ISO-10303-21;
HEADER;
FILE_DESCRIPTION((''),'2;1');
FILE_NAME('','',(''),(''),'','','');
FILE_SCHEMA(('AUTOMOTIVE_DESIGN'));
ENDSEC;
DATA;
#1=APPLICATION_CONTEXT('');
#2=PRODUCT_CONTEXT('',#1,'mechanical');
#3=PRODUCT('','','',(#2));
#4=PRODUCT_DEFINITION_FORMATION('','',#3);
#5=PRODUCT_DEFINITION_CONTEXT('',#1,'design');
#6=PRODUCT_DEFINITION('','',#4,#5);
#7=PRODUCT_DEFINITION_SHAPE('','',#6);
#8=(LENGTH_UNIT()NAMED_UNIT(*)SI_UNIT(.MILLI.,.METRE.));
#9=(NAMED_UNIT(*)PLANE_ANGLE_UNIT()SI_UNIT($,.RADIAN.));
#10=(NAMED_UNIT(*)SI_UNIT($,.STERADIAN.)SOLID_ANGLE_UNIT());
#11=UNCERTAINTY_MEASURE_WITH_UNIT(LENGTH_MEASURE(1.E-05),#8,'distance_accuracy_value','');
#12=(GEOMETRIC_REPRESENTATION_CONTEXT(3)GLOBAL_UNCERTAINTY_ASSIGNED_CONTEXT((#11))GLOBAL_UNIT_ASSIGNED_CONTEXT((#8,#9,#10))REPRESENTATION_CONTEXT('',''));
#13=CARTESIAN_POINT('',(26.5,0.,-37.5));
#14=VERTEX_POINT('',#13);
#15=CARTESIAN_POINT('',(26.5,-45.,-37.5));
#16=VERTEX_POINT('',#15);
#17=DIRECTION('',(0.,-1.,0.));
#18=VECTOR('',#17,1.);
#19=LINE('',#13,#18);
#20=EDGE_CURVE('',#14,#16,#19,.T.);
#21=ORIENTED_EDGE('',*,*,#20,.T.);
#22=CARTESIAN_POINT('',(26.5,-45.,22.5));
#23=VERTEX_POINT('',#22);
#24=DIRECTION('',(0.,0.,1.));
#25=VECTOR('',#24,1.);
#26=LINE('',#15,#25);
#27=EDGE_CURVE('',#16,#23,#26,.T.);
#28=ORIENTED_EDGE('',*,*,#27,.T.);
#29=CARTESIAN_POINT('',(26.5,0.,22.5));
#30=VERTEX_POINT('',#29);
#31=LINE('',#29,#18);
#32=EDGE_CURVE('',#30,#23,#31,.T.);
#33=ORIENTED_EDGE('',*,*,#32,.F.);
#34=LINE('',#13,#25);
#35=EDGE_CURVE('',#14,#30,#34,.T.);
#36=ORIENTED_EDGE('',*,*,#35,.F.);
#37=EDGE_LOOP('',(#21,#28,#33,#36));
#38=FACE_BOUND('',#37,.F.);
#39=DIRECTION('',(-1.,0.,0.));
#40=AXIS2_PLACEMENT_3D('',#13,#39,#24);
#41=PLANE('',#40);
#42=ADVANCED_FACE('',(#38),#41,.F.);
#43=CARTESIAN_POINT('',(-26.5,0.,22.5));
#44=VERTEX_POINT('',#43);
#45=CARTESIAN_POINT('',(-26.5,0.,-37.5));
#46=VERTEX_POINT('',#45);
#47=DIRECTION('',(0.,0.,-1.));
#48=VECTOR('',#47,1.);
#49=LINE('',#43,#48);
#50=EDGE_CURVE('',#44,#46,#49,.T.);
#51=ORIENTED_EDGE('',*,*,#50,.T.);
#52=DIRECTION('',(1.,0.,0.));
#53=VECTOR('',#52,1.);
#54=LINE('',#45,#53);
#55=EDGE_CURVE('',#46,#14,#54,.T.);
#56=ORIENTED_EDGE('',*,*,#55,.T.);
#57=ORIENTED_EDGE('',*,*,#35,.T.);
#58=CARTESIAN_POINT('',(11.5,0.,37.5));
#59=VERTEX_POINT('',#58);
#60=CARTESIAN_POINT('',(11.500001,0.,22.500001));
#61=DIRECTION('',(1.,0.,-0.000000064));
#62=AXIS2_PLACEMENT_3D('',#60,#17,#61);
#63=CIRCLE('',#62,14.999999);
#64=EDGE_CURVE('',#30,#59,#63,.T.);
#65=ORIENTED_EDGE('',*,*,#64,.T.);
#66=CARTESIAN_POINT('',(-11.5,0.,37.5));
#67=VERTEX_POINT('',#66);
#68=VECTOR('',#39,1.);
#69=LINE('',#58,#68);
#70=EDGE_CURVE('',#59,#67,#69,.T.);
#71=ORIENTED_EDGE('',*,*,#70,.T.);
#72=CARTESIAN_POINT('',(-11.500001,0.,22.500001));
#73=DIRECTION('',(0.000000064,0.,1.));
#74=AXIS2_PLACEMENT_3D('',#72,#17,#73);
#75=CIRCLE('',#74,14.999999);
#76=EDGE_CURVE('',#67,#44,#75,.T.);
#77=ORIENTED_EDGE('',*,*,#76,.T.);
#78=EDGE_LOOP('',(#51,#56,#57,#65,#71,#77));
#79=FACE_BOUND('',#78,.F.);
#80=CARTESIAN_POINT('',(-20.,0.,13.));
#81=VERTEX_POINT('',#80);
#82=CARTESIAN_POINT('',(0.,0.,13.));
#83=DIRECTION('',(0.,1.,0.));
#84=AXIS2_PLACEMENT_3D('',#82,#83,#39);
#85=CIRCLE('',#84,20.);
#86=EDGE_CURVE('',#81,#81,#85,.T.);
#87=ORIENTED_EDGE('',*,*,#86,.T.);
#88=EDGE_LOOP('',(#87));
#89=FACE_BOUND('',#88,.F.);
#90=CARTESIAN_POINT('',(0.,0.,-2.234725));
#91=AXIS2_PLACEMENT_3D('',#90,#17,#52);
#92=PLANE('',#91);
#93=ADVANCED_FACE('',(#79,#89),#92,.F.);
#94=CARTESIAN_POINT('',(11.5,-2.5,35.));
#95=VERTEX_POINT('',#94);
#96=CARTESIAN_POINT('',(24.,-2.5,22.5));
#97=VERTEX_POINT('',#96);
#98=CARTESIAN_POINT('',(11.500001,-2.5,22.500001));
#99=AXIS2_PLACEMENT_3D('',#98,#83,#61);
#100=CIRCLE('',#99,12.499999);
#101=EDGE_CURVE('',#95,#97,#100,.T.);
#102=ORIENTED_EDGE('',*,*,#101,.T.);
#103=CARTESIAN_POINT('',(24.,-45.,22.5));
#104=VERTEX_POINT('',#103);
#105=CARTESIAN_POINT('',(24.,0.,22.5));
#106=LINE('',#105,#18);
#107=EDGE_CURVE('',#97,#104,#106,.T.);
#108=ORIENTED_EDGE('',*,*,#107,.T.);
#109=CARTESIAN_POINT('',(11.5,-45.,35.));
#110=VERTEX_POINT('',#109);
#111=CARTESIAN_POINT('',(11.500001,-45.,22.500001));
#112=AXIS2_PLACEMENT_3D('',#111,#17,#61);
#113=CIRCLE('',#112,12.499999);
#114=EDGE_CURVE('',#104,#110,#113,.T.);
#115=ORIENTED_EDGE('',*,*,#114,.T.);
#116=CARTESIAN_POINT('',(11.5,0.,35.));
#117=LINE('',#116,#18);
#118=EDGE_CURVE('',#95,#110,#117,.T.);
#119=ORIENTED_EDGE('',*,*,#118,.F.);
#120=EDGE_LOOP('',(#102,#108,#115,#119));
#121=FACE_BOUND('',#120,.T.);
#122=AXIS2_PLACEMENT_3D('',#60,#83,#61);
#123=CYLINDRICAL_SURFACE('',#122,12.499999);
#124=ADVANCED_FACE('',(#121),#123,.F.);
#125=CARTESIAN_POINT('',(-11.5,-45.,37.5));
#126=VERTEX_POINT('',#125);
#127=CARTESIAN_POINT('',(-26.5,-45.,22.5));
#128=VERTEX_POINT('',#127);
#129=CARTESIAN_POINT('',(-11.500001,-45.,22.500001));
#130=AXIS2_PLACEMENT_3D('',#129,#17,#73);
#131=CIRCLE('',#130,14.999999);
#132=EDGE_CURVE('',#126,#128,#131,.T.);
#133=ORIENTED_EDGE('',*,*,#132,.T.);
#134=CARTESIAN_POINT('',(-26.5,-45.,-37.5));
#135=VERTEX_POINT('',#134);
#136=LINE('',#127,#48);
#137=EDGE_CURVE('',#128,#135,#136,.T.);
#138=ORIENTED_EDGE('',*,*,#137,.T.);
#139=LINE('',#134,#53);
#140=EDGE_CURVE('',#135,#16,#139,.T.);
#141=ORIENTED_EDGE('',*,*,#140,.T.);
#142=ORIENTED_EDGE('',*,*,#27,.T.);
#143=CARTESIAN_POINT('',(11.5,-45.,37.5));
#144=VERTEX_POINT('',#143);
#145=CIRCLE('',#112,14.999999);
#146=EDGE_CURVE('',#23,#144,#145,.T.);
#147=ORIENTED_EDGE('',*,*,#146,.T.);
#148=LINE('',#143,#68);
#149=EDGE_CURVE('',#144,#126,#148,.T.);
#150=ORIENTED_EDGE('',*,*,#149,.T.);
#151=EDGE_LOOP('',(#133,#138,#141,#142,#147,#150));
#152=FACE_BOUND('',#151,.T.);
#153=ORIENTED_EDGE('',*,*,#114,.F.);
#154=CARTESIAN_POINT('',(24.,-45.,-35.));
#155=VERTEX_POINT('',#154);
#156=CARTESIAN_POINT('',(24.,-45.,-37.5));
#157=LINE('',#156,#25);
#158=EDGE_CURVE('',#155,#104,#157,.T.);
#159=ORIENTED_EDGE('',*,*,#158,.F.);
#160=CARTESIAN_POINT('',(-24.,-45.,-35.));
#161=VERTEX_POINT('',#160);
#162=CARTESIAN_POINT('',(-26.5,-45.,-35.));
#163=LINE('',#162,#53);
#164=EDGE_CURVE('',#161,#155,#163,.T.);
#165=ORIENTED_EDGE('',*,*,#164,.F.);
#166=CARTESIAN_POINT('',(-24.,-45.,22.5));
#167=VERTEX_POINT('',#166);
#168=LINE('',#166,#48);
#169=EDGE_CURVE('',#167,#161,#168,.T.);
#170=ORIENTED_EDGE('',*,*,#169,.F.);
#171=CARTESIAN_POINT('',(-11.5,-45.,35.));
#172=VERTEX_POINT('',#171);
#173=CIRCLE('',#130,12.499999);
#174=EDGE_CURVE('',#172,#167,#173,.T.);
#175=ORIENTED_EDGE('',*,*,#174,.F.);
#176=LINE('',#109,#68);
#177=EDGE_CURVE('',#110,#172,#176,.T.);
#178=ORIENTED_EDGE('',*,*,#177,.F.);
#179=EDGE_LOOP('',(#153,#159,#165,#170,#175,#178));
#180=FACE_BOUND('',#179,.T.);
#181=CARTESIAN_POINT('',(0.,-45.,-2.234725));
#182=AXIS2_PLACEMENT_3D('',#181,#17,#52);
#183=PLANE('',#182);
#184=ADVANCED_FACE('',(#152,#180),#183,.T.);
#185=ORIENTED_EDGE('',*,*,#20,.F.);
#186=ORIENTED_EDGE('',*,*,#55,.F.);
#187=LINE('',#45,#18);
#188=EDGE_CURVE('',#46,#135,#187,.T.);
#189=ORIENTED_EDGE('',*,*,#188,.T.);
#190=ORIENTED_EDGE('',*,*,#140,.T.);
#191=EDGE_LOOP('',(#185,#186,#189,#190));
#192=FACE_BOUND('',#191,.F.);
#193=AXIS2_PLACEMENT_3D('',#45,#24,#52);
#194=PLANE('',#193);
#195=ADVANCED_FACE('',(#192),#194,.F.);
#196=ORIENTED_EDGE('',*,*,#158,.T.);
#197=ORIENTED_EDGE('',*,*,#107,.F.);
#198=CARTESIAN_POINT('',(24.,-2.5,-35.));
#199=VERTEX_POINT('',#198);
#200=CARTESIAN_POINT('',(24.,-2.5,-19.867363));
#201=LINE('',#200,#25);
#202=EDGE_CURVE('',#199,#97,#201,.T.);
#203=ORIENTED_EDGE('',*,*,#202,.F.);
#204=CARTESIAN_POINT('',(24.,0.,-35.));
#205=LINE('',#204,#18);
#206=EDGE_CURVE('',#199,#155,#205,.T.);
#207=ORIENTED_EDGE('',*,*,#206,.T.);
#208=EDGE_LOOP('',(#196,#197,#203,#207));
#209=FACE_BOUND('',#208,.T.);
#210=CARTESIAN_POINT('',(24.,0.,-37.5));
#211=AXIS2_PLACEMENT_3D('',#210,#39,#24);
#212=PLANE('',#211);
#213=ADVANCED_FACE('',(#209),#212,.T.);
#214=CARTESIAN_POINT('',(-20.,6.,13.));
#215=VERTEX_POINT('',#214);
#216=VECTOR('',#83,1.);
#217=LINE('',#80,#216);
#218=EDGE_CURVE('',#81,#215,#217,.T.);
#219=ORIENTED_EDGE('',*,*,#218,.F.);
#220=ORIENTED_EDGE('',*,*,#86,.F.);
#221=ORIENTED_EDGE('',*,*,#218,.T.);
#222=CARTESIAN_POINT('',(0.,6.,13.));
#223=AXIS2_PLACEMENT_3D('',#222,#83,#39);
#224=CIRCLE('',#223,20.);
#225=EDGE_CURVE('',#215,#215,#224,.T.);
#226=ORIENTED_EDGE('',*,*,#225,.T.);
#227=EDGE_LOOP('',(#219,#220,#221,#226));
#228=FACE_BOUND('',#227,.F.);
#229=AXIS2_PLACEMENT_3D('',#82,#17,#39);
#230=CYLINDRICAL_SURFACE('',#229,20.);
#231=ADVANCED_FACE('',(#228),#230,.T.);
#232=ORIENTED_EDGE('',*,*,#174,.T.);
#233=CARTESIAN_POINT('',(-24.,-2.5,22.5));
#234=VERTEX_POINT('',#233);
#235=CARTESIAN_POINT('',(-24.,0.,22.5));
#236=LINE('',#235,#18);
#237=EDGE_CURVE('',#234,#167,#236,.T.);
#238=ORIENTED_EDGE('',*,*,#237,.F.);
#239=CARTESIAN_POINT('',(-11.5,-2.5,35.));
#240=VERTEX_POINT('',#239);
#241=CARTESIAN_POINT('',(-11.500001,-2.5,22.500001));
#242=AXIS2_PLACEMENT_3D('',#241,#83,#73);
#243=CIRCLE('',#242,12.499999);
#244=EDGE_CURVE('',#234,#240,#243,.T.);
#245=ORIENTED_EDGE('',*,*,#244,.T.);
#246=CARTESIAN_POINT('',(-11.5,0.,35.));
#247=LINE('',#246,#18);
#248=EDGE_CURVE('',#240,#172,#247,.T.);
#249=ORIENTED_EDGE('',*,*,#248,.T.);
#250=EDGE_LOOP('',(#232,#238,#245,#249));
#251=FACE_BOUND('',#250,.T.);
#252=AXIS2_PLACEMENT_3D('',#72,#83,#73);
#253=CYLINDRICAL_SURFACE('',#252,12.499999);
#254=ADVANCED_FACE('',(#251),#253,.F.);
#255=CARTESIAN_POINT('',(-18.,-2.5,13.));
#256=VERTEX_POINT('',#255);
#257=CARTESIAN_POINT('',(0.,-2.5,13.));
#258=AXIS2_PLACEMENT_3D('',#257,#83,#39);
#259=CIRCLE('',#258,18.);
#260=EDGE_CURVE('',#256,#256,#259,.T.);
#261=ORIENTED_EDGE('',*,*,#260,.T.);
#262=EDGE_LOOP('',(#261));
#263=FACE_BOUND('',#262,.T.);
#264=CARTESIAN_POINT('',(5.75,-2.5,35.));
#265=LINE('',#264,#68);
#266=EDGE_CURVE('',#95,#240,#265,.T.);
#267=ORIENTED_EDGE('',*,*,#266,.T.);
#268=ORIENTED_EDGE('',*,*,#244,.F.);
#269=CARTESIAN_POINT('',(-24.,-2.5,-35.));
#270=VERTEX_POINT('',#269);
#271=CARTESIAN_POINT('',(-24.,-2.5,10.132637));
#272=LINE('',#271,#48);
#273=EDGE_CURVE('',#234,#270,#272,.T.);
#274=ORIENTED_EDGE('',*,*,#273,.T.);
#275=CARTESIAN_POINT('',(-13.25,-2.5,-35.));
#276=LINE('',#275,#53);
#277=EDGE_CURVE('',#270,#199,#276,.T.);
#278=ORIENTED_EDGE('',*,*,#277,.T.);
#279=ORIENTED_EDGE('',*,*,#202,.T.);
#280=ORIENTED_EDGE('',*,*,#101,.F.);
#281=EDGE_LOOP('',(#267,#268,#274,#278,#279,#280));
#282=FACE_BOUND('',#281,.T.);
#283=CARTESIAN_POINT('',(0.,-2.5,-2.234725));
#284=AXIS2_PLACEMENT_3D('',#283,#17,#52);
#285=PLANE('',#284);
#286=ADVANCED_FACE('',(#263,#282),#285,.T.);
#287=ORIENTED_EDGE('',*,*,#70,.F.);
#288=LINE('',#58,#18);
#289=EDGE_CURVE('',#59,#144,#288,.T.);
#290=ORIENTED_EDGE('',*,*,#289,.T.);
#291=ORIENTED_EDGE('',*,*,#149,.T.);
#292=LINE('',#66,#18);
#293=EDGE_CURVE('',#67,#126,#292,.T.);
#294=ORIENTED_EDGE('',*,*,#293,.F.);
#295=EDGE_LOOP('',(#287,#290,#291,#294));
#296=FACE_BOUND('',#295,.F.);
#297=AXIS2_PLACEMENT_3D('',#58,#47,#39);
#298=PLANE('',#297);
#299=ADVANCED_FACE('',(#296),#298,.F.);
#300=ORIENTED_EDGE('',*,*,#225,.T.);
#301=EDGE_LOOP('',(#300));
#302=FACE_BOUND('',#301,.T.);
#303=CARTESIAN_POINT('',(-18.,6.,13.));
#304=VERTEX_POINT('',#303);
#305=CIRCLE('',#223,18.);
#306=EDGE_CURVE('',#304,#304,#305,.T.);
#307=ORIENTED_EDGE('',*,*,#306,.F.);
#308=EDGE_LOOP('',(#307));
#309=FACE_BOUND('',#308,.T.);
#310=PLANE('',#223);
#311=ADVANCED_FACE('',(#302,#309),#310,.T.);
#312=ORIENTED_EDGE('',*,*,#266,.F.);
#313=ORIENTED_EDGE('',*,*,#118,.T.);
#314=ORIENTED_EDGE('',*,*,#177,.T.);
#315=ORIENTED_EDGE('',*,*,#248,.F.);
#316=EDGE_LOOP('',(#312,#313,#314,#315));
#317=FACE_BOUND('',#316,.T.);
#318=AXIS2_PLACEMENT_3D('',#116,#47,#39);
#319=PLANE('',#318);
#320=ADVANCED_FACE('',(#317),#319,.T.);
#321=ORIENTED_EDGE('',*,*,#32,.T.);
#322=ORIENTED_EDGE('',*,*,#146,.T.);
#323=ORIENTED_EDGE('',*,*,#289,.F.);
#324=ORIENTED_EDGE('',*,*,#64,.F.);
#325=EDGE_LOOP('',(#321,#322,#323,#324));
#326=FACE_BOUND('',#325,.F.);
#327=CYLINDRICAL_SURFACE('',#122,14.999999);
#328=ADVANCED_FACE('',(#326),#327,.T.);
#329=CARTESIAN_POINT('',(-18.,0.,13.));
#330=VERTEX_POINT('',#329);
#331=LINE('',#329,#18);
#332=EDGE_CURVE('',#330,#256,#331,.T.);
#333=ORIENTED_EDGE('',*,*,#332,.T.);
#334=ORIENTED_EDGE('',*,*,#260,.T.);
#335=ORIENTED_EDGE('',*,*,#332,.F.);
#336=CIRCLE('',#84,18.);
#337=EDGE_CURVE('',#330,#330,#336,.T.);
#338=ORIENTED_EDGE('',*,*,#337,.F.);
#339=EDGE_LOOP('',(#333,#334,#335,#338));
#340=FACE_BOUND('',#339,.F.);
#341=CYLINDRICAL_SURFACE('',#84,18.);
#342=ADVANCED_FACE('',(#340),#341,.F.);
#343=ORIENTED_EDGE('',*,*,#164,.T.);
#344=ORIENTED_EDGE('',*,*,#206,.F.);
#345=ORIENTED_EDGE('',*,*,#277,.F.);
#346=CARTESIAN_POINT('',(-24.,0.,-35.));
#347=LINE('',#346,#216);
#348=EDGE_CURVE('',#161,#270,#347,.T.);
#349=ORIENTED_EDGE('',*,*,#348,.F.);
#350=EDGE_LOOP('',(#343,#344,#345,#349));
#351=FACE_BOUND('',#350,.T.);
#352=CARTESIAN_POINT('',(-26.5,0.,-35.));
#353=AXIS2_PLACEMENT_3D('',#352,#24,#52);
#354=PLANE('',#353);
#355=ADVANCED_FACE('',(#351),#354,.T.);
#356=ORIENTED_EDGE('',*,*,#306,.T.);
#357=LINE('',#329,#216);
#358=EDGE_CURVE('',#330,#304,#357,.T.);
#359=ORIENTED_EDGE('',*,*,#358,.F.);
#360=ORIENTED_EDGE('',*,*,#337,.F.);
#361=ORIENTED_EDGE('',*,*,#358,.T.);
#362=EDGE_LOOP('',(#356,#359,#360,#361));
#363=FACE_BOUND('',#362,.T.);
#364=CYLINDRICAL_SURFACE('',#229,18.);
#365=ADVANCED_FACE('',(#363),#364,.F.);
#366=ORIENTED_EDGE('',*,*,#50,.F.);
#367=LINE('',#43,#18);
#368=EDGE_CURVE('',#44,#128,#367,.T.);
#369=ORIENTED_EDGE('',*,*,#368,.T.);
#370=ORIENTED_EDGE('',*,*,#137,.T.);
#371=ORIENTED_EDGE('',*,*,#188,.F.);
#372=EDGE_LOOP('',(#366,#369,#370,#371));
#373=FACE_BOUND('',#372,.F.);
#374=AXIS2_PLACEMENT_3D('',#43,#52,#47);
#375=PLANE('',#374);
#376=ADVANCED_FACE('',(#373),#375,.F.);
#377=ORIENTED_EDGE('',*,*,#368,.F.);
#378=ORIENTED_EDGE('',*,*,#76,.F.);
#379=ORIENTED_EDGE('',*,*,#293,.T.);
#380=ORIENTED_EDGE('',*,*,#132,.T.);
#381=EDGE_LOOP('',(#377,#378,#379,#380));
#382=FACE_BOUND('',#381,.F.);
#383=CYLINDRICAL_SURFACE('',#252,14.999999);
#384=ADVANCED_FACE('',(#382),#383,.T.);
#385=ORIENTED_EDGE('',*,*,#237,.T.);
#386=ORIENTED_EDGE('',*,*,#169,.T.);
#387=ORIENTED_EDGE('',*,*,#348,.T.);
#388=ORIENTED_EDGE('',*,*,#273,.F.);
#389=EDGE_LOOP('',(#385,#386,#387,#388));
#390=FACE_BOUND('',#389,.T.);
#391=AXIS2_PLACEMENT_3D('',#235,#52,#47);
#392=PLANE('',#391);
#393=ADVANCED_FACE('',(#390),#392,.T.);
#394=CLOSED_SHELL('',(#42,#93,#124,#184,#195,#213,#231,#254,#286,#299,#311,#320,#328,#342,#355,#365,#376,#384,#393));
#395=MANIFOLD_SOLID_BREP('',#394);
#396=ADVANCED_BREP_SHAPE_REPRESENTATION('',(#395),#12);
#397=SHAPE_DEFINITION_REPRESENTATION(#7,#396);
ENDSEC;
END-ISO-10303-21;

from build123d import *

# Parameters (mm, degrees)
F1_DEPTH = 45
F2_T     = -2.5
F3_R     = 18
F4_DEPTH = 25
F5_R     = 20
F5_R_2   = 18
F6_DEPTH = 6


with BuildPart() as f1:
    # F0 (on Front) → F1 (new body)
    with BuildSketch(Plane.XZ):
        with BuildLine():
            Line((-26.5, -37.5), (26.5, -37.5))
            Line((26.5, -37.5), (26.5, 22.5))
            ThreePointArc((26.5, 22.5), (22.106602, 33.106602), (11.5, 37.5))
            Line((11.5, 37.5), (-11.5, 37.5))
            ThreePointArc((-11.5, 37.5), (-22.106602, 33.106602), (-26.5, 22.5))
            Line((-26.5, 22.5), (-26.5, -37.5))
        make_face()
    extrude(amount=F1_DEPTH)

    # F2
    f2_openings = [f1.faces().sort_by_distance(p)[0] for p in [
        (0, -45, -0.850304),
    ]]
    offset(amount=F2_T, openings=f2_openings)

    # F3 (on face) → F4 (cut)
    with BuildSketch(Plane(origin=(0, 0, 0), x_dir=(-1, 0, 0), z_dir=(0, 1, 0))):
        with Locations((0, 13)):
            Circle(F3_R)
    extrude(amount=-F4_DEPTH, mode=Mode.SUBTRACT)

    # F5 (on face) → F6 (join)
    with BuildSketch(Plane(origin=(0, 0, 0), x_dir=(-1, 0, 0), z_dir=(0, 1, 0))):
        with Locations((0, 13)):
            Circle(F5_R)
        with Locations((0, 13)):
            Circle(F5_R_2, mode=Mode.SUBTRACT)
    extrude(amount=F6_DEPTH)


solid = f1.part
